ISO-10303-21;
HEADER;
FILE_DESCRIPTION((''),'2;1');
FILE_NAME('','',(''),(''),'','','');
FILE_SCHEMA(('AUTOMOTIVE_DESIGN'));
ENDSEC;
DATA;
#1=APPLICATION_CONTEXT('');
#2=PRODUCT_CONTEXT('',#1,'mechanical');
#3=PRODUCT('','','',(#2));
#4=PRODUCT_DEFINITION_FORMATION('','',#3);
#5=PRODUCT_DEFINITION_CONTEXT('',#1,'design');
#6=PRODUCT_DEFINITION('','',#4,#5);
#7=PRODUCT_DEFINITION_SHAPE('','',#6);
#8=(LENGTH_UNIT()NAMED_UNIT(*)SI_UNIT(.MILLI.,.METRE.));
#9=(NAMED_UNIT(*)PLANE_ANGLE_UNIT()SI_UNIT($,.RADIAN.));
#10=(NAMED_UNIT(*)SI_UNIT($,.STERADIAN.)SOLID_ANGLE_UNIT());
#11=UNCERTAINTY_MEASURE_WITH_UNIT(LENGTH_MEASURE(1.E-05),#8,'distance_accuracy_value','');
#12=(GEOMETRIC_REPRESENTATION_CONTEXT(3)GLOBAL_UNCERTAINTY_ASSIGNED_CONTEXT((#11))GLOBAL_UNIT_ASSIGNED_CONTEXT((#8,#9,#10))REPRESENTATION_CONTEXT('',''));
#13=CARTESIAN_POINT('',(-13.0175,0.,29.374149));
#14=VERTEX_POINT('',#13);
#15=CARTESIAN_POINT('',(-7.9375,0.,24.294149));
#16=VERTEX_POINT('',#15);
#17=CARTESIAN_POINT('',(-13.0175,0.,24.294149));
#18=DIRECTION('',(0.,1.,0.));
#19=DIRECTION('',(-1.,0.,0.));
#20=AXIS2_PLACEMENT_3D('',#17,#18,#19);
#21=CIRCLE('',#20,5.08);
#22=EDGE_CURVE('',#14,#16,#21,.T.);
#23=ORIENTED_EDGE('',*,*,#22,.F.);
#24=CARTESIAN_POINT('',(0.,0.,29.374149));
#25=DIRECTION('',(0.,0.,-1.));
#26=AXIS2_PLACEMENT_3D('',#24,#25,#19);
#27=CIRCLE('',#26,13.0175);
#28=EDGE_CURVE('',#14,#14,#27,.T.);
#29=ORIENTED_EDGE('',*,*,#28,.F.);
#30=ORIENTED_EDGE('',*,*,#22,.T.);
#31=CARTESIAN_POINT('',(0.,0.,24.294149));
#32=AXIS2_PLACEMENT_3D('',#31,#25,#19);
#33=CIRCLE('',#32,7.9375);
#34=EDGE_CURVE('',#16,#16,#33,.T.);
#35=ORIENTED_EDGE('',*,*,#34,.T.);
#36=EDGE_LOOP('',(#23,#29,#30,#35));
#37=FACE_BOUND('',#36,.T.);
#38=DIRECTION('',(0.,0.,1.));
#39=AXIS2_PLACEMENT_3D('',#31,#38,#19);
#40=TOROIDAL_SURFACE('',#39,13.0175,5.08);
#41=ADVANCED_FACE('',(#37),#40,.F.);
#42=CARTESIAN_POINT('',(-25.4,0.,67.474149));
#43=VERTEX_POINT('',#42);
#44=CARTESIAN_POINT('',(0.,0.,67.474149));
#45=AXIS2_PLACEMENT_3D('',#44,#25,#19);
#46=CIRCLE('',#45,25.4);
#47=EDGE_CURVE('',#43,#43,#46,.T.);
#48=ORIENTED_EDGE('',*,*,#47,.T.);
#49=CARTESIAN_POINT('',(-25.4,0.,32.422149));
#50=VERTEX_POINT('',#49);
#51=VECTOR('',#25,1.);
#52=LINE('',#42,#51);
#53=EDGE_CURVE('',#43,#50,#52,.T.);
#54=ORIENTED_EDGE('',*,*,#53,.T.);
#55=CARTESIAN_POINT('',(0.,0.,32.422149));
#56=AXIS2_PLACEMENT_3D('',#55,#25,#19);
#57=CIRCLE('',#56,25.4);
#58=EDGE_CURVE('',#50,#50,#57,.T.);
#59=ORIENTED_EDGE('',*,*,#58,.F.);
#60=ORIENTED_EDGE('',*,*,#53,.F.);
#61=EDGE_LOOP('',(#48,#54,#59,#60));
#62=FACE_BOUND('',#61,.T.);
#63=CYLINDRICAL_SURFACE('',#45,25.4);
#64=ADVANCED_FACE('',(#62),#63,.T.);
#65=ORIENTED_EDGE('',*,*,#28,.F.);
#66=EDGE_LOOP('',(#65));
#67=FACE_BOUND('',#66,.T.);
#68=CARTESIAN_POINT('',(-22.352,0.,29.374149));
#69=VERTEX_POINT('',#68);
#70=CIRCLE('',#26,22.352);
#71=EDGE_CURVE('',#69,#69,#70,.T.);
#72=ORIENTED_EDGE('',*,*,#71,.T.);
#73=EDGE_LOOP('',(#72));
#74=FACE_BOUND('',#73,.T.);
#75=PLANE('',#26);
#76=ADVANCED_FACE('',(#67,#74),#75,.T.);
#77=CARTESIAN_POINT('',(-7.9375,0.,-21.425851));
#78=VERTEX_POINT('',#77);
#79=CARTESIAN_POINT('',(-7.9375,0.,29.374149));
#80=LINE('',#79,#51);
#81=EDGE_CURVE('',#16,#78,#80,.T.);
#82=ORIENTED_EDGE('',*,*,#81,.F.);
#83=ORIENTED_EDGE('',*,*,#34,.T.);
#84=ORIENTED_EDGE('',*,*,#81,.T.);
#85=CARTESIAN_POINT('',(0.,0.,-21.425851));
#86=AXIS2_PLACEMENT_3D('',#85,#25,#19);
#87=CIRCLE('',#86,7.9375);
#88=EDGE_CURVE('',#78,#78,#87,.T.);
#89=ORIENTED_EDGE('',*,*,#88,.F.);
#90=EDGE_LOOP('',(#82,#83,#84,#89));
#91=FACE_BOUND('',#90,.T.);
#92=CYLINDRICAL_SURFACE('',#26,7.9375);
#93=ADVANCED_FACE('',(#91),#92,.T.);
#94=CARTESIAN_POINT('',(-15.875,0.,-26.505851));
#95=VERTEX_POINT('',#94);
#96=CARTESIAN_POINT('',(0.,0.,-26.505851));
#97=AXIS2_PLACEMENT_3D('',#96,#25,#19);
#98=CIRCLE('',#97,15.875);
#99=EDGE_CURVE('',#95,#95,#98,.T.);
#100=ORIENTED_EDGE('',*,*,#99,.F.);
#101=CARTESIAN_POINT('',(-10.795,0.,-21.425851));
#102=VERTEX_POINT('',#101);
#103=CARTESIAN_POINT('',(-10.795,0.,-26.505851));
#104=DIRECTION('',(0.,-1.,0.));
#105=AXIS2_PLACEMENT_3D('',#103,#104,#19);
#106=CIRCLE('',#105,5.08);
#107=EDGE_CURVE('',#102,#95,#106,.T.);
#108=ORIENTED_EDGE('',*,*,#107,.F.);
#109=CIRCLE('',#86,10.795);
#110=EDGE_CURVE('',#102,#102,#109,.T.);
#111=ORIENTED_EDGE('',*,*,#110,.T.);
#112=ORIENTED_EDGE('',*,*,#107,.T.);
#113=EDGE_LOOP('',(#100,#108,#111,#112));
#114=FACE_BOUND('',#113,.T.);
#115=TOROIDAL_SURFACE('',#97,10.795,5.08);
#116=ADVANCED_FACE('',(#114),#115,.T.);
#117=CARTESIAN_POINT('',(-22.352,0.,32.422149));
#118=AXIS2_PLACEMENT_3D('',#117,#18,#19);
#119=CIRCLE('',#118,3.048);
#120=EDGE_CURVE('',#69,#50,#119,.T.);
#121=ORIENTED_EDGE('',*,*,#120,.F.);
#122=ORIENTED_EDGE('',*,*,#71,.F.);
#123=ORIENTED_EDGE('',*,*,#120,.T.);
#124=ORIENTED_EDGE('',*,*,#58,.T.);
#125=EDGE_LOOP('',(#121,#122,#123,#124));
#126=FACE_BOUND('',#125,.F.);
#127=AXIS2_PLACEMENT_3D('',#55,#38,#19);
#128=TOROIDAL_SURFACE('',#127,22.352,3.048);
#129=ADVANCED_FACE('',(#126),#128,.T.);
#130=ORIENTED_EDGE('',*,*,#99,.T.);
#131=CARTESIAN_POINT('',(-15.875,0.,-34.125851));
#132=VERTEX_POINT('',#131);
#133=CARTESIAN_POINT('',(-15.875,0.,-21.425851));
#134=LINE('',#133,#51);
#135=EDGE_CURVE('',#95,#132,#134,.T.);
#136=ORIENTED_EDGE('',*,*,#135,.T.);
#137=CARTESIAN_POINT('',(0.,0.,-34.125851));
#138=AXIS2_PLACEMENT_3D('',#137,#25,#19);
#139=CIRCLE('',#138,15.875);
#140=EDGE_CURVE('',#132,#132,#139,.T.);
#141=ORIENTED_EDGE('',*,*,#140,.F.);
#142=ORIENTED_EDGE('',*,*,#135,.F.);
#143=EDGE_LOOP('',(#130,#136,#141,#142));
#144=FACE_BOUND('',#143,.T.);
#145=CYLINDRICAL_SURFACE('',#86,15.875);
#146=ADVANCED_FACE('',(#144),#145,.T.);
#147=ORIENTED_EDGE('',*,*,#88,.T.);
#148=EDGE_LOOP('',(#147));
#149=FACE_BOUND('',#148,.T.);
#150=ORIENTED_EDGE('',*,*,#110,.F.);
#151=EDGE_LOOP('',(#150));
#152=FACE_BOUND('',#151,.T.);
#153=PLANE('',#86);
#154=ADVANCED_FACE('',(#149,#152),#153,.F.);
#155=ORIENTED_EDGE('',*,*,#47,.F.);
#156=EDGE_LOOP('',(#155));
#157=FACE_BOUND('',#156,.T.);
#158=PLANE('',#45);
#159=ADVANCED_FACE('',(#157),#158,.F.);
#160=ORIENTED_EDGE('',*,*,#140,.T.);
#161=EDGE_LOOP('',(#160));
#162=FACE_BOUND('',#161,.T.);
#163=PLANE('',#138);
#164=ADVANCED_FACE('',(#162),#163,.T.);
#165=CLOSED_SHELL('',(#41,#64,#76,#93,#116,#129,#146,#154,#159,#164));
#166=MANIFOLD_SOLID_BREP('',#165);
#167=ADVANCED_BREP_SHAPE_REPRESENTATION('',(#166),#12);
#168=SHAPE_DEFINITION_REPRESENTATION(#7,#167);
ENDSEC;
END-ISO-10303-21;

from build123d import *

# Parameters (mm, degrees)
F2_R = 5.08
F3_R = 3.048


with BuildPart() as f1:
    # F0 (on Front) → F1 (revolve)
    with BuildSketch(Plane.XZ):
        Polygon((0, -34.125851), (0, 67.474149), (-25.4, 67.474149), (-25.4, 29.374149), (-7.9375, 29.374149), (-7.9375, -21.425851), (-15.875, -21.425851), (-15.875, -34.125851), align=None)
    revolve(axis=Axis((0, 0, 9.330612), (0, 0, -1)))

    # F2
    f2_edges = [f1.edges().sort_by_distance(p)[0] for p in [
        (7.9375, 0, 29.374149),
        (15.875, 0, -21.425851),
    ]]
    fillet(f2_edges, radius=F2_R)

    # F3
    f3_edges = [f1.edges().sort_by_distance(p)[0] for p in [
        (25.4, 0, 29.374149),
    ]]
    fillet(f3_edges, radius=F3_R)


solid = f1.part
